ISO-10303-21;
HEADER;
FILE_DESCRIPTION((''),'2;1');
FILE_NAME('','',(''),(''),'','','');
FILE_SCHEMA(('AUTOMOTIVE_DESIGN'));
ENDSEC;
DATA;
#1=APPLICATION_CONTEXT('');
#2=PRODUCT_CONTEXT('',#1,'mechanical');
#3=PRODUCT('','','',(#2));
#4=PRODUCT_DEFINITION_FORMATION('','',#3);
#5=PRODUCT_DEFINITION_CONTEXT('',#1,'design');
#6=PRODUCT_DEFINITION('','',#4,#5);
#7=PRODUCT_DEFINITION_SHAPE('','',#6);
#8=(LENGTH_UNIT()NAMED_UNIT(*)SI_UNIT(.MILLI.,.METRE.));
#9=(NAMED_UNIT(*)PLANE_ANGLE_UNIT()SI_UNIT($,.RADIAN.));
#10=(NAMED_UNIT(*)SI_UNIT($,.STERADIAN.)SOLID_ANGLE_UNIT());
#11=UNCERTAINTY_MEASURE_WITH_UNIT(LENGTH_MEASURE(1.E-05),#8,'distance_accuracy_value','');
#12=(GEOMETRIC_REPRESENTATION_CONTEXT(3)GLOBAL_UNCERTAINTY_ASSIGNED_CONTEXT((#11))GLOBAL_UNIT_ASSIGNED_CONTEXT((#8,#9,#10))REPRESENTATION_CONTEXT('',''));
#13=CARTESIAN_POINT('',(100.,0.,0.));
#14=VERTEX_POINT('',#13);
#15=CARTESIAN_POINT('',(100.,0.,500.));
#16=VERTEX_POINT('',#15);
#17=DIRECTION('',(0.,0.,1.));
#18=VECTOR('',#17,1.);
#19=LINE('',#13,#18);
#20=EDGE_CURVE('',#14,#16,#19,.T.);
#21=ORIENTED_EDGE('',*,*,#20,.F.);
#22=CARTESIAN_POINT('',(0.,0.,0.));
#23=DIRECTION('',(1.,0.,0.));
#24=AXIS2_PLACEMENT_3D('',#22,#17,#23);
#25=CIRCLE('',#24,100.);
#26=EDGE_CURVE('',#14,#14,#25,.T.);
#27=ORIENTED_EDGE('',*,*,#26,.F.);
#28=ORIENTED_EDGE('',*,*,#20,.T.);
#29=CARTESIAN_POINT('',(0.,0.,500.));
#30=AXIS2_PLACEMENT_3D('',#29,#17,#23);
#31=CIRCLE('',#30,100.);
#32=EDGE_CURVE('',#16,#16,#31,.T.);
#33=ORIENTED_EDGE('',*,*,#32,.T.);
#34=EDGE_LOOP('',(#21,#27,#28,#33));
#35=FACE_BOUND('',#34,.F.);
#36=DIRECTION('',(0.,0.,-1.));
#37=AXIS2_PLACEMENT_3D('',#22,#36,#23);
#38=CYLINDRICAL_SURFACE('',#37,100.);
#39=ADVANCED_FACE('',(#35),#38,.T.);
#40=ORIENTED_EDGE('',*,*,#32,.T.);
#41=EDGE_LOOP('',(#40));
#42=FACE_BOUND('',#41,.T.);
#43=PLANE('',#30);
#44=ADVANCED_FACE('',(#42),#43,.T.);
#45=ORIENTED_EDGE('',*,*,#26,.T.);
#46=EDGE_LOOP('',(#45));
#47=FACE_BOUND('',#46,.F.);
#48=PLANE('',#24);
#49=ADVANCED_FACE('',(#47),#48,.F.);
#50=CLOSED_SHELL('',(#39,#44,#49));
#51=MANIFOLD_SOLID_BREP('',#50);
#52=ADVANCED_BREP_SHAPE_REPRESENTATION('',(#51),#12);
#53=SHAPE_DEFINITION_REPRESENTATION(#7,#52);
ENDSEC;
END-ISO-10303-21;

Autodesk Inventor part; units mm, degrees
ref_plane "YZ Plane" through (0, 0, 0) normal (1, 0, 0) x (0, 1, 0)
ref_plane "XZ Plane" through (0, 0, 0) normal (0, 1, 0) x (-1, 0, 0)
ref_plane "XY Plane" through (0, 0, 0) normal (0, 0, 1) x (1, 0, 0)
sketch "Skizze1" plane through (0, 0, 0) normal (0, 0, 1) x (1, 0, 0)
  line L0 (0, -140) -> (0, 140) construction
  line L1 (-140, 0) -> (140, 0) construction
  circle A0 centre (0, 0) radius 100
  dimension "d0" = 200
extrude "Extrusion1" add sketch "Skizze1" along normal blind 500
properties part number "Stangefesthaltung"
